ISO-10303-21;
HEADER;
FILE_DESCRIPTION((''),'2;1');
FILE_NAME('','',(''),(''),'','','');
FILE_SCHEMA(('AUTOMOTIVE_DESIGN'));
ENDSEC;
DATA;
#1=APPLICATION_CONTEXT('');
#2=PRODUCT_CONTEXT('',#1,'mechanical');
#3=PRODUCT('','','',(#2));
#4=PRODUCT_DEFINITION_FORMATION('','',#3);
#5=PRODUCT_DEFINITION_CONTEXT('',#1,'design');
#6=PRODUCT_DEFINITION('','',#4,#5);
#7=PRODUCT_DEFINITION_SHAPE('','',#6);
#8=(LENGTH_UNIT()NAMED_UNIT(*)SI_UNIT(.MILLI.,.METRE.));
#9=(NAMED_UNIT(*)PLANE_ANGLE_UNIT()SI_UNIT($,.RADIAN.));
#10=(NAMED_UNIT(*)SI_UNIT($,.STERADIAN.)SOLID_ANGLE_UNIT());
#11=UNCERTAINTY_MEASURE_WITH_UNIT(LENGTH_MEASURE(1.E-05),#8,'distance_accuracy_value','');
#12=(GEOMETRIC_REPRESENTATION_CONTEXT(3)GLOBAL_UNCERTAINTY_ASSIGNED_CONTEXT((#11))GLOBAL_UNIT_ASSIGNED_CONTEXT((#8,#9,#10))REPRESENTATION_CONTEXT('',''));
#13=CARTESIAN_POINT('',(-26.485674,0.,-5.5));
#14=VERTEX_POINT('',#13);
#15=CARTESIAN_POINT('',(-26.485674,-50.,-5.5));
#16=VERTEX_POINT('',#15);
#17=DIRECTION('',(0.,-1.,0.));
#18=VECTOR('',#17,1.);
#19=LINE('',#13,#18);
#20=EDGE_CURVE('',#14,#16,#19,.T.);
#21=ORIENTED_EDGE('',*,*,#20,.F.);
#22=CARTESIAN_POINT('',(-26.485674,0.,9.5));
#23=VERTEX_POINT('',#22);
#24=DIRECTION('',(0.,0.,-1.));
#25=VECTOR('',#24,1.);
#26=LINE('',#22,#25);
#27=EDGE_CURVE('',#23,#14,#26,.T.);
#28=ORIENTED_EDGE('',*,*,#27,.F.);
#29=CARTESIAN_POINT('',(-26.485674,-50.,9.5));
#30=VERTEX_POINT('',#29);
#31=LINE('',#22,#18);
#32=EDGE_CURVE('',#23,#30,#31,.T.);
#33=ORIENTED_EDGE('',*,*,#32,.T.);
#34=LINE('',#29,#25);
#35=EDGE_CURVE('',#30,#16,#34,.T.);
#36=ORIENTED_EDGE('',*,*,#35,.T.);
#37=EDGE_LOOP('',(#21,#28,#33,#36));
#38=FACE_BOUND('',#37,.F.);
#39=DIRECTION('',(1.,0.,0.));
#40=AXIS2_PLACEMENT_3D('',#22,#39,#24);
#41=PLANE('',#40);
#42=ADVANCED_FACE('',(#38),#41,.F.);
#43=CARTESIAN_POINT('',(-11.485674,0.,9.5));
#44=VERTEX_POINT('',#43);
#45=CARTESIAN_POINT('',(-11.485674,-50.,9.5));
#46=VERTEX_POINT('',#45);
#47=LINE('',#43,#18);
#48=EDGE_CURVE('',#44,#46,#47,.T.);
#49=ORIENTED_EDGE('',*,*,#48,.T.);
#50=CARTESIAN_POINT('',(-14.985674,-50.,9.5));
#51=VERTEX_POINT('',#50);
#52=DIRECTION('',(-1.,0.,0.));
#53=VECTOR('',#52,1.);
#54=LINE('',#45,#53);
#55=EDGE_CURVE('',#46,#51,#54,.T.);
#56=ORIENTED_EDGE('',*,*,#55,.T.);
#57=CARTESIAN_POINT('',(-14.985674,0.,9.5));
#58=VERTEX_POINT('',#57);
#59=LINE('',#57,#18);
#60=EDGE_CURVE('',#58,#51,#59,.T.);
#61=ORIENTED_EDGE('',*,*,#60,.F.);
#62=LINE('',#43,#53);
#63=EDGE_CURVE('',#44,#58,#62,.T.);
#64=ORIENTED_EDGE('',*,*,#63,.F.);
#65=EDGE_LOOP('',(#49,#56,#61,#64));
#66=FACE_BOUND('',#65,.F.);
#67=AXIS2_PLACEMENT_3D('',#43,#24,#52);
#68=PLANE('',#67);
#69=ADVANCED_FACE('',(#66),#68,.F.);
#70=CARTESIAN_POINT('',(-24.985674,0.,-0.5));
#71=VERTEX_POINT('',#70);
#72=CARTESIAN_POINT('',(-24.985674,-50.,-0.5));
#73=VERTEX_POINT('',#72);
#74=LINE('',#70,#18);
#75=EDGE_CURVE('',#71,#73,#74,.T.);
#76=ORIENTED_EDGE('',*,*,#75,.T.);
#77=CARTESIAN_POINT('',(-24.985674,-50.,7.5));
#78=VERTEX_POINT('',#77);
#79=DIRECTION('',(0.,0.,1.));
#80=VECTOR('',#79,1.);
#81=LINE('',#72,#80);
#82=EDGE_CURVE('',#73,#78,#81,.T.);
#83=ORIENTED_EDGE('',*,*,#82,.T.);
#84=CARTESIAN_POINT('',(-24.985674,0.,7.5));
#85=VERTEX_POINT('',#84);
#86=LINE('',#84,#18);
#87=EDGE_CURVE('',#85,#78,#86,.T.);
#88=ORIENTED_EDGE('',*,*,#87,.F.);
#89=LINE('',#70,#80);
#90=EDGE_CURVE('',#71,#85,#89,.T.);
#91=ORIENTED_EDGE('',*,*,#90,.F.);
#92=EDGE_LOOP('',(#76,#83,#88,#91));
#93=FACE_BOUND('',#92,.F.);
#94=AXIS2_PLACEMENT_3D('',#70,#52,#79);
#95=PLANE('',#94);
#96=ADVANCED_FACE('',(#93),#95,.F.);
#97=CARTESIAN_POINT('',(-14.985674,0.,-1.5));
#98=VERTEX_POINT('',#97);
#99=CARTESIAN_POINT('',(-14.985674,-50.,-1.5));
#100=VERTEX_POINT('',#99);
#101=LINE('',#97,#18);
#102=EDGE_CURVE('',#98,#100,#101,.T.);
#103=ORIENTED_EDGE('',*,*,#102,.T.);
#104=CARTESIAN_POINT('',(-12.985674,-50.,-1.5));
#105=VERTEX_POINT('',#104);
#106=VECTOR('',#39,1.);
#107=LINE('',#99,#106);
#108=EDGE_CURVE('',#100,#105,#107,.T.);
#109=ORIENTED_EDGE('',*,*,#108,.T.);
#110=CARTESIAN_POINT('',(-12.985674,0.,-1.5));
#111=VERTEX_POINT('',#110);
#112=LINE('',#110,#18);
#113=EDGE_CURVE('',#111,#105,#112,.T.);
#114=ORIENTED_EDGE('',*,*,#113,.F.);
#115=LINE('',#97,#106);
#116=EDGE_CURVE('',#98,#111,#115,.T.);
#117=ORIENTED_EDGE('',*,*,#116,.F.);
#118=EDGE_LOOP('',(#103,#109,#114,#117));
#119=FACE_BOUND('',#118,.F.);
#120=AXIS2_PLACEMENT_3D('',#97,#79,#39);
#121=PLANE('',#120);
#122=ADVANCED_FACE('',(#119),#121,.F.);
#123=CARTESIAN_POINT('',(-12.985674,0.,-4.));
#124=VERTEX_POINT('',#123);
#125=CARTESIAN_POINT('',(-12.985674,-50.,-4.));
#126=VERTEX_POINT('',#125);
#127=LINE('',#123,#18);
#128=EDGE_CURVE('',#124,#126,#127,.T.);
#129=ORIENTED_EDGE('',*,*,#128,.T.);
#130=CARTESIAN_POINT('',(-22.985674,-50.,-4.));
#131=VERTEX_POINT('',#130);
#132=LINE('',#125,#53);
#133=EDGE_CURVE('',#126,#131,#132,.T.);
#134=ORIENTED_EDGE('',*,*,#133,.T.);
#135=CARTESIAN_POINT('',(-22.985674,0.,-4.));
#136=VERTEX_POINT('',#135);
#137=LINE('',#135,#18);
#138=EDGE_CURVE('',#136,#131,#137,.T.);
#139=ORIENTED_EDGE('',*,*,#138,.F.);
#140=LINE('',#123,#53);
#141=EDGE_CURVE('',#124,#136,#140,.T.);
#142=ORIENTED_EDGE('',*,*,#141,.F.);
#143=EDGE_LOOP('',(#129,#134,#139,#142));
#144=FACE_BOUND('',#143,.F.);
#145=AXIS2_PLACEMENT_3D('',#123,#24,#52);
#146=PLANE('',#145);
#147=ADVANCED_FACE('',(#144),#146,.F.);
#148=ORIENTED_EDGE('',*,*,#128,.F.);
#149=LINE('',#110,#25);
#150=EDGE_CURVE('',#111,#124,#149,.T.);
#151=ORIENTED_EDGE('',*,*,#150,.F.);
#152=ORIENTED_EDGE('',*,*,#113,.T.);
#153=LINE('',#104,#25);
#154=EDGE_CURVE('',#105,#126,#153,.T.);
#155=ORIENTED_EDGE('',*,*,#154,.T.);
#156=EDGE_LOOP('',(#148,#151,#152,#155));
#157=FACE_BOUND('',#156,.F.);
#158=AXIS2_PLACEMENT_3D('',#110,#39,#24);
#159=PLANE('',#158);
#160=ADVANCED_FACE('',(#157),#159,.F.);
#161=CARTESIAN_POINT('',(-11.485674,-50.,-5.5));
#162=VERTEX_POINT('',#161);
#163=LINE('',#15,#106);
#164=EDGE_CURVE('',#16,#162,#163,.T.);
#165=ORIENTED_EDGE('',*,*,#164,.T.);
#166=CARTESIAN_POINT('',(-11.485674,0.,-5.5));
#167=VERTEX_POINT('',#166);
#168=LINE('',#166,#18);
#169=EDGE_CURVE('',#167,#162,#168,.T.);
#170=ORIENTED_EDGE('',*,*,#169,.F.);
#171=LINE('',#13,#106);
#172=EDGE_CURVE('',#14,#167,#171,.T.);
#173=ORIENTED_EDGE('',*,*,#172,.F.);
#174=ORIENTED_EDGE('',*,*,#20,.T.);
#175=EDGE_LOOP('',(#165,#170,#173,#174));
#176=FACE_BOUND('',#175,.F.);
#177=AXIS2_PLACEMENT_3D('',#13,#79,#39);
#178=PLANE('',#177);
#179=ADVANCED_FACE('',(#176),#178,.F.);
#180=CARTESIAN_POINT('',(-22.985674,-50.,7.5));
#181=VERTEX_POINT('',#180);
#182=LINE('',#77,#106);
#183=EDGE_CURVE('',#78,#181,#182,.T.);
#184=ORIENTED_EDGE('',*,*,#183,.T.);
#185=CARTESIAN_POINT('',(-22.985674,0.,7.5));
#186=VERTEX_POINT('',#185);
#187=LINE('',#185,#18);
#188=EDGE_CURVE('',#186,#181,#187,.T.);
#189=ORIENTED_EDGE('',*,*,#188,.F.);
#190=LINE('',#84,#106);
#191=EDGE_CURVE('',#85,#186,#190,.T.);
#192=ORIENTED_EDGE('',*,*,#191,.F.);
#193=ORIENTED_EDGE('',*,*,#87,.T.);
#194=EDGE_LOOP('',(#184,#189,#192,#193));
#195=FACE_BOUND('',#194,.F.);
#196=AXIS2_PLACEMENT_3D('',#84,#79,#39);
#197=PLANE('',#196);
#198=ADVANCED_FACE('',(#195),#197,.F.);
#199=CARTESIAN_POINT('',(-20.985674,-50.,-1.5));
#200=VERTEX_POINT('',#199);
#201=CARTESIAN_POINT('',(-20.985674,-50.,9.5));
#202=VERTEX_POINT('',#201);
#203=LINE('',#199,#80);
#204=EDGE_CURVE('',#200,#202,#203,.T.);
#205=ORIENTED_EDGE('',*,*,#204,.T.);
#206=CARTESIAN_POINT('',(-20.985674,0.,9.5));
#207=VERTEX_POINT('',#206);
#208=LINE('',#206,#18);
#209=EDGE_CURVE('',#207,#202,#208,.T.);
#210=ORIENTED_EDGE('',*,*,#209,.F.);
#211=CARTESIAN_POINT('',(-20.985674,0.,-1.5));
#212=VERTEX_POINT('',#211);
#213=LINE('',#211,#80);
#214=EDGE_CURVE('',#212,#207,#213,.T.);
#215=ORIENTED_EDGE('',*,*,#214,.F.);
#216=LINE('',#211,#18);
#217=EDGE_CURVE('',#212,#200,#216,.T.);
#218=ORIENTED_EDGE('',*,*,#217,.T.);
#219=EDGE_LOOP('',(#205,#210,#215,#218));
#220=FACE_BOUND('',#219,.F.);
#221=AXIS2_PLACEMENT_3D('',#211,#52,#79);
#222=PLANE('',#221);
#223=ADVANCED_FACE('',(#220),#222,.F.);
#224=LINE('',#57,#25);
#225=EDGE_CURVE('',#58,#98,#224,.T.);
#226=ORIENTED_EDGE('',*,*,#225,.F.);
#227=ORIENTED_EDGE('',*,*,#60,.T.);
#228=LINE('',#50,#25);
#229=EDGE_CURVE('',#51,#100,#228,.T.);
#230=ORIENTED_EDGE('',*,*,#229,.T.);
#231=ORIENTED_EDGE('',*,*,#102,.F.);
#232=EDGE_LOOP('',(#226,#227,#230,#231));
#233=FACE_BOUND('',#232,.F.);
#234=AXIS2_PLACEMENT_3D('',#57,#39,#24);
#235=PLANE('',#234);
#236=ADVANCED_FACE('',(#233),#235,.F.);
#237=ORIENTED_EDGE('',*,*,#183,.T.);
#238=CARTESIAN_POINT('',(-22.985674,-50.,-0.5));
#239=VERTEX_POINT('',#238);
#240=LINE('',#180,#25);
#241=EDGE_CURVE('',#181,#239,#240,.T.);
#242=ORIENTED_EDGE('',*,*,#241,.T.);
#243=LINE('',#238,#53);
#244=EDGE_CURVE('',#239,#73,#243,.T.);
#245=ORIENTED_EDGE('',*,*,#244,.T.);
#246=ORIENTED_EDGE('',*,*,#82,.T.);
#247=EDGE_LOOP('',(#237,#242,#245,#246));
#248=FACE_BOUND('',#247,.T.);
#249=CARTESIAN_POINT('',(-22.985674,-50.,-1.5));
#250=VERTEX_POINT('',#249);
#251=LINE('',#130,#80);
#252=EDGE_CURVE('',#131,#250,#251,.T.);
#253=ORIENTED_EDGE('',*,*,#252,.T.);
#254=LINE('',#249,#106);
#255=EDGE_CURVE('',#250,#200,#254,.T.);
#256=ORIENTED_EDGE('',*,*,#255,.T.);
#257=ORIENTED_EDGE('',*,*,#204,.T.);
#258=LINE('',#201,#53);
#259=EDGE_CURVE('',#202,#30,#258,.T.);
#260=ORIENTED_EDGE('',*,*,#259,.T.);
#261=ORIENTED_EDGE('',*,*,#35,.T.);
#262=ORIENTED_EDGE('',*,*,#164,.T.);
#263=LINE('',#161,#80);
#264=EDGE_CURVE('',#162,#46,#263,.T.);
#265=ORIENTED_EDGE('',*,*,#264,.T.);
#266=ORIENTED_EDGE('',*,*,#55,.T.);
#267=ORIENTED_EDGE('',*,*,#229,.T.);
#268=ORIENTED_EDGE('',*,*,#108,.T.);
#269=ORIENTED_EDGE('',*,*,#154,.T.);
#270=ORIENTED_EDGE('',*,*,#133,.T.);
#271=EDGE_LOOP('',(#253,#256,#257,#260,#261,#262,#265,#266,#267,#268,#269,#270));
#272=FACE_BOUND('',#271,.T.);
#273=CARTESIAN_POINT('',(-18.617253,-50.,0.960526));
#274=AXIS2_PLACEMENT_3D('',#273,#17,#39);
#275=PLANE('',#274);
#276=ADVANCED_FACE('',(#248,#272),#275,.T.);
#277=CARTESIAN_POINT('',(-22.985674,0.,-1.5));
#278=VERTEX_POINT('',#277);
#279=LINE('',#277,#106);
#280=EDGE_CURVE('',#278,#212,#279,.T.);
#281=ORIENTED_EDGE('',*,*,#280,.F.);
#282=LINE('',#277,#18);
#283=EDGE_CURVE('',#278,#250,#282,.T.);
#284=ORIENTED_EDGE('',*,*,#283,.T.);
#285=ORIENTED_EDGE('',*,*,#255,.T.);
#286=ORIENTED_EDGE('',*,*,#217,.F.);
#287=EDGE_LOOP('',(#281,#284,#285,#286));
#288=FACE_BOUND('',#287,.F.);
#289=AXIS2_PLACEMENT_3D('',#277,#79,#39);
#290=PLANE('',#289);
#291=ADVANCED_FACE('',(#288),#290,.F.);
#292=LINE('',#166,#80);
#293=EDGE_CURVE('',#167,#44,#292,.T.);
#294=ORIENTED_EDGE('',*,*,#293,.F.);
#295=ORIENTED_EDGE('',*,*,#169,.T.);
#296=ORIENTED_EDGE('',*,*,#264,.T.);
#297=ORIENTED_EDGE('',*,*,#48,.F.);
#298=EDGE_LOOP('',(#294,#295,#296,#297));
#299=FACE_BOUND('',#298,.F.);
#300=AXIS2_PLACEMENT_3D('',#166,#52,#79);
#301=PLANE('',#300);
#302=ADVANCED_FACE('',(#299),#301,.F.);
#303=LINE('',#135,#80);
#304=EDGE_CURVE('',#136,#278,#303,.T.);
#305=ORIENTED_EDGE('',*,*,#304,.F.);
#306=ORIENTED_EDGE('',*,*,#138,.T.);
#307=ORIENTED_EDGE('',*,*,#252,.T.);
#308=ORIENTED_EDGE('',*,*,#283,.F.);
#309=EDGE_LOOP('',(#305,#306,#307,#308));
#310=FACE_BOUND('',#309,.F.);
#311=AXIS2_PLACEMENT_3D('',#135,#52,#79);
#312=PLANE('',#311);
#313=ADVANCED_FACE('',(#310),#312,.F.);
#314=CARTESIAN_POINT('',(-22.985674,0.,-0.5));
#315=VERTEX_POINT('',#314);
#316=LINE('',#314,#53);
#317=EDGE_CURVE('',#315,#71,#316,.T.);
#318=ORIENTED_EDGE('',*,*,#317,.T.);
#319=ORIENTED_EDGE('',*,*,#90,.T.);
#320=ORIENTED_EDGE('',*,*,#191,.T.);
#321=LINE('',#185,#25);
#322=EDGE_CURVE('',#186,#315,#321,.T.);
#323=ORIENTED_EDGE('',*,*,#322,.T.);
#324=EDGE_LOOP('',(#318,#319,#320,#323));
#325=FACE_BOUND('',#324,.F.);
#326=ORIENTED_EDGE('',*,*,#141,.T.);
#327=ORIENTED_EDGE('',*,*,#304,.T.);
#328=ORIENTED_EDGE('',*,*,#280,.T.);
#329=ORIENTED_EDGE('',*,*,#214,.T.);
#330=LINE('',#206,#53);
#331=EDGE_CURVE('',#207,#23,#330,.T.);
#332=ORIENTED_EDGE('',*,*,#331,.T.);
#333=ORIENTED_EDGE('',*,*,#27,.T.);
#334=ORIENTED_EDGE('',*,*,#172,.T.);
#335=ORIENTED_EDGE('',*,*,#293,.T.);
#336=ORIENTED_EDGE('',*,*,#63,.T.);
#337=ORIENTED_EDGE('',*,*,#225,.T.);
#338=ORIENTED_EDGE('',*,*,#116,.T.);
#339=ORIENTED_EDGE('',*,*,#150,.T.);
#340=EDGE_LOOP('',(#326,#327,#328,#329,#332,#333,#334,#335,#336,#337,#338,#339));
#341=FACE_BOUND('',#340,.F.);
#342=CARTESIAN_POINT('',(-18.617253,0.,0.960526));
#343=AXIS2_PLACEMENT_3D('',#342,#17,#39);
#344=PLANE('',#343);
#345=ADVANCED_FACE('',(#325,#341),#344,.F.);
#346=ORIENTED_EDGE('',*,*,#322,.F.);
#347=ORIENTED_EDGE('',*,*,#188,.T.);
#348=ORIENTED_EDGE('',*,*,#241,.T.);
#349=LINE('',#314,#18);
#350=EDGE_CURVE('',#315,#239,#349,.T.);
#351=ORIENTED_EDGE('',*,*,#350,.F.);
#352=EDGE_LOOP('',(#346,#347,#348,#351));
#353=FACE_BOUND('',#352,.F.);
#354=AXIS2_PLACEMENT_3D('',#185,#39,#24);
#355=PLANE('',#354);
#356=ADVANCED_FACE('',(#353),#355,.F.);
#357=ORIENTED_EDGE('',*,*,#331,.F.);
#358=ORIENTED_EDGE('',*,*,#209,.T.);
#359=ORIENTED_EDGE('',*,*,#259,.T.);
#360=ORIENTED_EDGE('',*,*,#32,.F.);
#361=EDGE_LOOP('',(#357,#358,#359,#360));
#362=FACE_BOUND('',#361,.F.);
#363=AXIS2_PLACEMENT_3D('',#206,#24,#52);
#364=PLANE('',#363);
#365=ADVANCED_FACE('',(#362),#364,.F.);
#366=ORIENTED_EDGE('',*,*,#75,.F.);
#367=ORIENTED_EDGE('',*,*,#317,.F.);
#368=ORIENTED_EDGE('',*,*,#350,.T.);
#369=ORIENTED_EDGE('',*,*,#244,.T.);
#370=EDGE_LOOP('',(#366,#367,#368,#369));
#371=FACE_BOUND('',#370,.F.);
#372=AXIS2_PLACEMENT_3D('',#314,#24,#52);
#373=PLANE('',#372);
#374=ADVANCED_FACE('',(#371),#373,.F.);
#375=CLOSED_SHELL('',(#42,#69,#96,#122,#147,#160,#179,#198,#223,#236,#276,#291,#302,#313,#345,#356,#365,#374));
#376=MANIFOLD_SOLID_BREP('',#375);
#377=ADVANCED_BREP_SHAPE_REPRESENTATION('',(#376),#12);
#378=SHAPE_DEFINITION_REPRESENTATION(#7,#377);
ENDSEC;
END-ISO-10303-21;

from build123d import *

# Parameters (mm, degrees)
F1_DEPTH = 50


with BuildPart() as f1:
    # F0 (on Front) → F1 (new body)
    with BuildSketch(Plane.XZ):
        Polygon((-20.985674113, 9.5), (-26.485674113, 9.5), (-26.485674113, -5.5), (-11.485674113, -5.5), (-11.485674113, 9.5), (-14.985674113, 9.5), (-14.985674113, -1.5), (-12.985674113, -1.5), (-12.985674113, -4), (-22.985674113, -4), (-22.985674113, -1.5), (-20.985674113, -1.5), align=None)
        Polygon((-24.985674113, -0.5), (-24.985674113, 7.5), (-22.985674113, 7.5), (-22.985674113, 5), (-22.985674113, 0), (-22.985674113, -0.5), align=None, mode=Mode.SUBTRACT)
    extrude(amount=F1_DEPTH)


solid = f1.part
